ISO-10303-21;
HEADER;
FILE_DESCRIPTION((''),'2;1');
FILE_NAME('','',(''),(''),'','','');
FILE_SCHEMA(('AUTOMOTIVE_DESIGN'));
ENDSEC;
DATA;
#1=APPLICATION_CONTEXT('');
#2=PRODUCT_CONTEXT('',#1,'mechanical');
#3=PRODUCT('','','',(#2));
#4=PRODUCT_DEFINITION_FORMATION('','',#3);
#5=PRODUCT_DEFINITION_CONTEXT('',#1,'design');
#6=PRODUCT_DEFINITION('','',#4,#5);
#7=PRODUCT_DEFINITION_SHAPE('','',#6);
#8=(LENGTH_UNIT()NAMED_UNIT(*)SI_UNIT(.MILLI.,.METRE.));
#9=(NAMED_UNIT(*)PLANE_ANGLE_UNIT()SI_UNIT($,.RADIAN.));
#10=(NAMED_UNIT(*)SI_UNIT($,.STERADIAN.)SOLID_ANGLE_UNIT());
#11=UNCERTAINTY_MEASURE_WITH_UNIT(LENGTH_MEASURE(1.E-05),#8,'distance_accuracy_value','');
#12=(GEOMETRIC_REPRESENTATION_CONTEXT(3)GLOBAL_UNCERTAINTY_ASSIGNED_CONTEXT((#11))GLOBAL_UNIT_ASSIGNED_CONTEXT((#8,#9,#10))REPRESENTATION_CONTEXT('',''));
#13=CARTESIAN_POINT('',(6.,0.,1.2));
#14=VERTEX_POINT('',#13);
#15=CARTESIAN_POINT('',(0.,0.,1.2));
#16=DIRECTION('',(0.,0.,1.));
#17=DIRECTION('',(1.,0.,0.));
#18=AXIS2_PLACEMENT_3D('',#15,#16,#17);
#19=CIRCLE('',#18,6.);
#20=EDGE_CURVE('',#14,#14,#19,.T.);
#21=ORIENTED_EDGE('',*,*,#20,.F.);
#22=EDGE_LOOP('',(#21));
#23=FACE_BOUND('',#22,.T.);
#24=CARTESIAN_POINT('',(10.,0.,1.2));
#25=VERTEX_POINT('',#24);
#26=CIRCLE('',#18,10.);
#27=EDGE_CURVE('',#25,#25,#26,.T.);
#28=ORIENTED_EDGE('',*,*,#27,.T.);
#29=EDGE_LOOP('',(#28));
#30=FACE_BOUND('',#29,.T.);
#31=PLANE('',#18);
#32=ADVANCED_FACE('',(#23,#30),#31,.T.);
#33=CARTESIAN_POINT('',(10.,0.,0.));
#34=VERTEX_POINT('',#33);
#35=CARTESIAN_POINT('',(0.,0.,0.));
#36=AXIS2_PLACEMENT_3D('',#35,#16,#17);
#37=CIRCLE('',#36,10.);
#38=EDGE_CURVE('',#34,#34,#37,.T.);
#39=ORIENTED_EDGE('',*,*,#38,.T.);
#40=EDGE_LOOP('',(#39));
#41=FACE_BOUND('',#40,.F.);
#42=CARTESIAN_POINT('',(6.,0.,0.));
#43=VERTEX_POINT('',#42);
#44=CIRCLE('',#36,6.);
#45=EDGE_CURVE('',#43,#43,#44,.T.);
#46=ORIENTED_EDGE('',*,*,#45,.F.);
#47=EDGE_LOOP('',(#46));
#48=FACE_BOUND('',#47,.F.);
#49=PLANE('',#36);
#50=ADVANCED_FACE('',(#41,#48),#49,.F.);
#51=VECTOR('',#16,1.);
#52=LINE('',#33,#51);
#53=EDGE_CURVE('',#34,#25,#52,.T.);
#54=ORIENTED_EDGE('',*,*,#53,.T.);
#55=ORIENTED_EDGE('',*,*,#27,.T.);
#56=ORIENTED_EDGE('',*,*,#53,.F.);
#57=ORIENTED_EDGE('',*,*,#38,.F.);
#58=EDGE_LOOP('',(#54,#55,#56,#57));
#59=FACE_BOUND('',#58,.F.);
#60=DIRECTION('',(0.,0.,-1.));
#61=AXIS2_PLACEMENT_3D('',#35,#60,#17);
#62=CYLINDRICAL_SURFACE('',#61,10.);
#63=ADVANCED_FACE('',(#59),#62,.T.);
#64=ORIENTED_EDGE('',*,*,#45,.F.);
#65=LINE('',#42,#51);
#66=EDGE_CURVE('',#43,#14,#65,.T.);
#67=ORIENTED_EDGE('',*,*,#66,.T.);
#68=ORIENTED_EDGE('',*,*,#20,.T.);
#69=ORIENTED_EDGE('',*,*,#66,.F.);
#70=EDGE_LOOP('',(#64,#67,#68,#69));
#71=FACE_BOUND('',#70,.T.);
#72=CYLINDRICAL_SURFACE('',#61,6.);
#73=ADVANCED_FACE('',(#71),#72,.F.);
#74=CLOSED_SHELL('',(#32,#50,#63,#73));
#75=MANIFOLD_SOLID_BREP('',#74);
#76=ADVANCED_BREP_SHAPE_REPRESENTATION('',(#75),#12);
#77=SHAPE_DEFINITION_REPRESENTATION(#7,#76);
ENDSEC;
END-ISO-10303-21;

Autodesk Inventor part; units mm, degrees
ref_plane "YZ Plane" through (0, 0, 0) normal (1, 0, 0) x (0, 1, 0)
ref_plane "XZ Plane" through (0, 0, 0) normal (0, 1, 0) x (-1, 0, 0)
ref_plane "XY Plane" through (0, 0, 0) normal (0, 0, 1) x (1, 0, 0)
sketch "Sketch1" plane through (0, 0, 0) normal (0, 0, 1) x (1, 0, 0)
  circle A0 centre (0, 0) radius 6
  circle A1 centre (0, 0) radius 10
  dimension "d0" = 12
  dimension "d1" = 20
extrude "Extrusion1" add sketch "Sketch1" along normal blind 1.2
properties part number "podkładka-sprężyny"
